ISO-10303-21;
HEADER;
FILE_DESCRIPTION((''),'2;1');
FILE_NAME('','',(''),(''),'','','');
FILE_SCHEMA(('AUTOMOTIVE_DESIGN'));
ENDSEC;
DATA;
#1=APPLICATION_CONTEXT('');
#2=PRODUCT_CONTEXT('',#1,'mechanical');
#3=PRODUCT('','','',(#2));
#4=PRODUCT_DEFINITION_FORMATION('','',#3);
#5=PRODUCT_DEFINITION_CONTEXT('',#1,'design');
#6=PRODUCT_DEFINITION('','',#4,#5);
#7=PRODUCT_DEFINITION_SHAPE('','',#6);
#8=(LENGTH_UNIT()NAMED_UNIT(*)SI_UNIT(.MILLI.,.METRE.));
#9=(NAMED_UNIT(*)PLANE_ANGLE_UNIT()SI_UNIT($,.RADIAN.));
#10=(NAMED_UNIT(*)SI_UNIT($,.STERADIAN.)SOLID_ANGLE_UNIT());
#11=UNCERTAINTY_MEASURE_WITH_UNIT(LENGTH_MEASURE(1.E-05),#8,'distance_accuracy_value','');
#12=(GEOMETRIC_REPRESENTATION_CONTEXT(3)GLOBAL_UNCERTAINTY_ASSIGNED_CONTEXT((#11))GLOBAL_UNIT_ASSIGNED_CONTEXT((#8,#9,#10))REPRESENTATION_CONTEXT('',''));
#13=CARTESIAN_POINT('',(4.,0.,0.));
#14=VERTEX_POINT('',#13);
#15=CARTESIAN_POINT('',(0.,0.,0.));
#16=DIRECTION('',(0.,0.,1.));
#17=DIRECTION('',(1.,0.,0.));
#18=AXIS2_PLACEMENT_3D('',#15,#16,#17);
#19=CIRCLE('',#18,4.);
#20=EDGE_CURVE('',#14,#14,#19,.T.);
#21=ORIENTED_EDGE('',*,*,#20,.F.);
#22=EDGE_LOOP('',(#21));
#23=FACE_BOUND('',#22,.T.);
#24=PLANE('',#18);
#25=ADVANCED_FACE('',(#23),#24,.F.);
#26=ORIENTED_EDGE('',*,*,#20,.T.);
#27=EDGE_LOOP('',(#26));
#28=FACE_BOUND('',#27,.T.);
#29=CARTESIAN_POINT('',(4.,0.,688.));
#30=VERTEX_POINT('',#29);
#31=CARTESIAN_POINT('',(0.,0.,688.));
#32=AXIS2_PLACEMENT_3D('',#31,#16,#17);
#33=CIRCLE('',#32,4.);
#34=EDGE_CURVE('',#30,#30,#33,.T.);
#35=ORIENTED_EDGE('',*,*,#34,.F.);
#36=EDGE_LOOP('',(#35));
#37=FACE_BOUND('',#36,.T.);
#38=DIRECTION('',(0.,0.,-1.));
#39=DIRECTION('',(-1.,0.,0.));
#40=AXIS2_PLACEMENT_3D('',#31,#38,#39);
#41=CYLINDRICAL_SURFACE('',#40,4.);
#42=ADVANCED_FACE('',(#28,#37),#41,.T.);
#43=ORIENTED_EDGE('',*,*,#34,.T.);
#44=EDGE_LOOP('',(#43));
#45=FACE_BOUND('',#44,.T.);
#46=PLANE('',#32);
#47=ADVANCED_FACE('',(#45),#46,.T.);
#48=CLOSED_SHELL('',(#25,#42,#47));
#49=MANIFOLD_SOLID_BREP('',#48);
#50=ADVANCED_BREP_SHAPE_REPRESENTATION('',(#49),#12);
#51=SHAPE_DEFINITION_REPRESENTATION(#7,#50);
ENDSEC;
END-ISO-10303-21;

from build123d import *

# Parameters (mm, degrees)
ESQUISSE1_R        = 4
BOSS_EXTRU_1_DEPTH = 688


with BuildPart() as part:
    # Esquisse1 → Boss.-Extru.1 (new body)
    with BuildSketch(Plane.XY):
        Circle(ESQUISSE1_R)
    extrude(amount=BOSS_EXTRU_1_DEPTH)


solid = part.part
